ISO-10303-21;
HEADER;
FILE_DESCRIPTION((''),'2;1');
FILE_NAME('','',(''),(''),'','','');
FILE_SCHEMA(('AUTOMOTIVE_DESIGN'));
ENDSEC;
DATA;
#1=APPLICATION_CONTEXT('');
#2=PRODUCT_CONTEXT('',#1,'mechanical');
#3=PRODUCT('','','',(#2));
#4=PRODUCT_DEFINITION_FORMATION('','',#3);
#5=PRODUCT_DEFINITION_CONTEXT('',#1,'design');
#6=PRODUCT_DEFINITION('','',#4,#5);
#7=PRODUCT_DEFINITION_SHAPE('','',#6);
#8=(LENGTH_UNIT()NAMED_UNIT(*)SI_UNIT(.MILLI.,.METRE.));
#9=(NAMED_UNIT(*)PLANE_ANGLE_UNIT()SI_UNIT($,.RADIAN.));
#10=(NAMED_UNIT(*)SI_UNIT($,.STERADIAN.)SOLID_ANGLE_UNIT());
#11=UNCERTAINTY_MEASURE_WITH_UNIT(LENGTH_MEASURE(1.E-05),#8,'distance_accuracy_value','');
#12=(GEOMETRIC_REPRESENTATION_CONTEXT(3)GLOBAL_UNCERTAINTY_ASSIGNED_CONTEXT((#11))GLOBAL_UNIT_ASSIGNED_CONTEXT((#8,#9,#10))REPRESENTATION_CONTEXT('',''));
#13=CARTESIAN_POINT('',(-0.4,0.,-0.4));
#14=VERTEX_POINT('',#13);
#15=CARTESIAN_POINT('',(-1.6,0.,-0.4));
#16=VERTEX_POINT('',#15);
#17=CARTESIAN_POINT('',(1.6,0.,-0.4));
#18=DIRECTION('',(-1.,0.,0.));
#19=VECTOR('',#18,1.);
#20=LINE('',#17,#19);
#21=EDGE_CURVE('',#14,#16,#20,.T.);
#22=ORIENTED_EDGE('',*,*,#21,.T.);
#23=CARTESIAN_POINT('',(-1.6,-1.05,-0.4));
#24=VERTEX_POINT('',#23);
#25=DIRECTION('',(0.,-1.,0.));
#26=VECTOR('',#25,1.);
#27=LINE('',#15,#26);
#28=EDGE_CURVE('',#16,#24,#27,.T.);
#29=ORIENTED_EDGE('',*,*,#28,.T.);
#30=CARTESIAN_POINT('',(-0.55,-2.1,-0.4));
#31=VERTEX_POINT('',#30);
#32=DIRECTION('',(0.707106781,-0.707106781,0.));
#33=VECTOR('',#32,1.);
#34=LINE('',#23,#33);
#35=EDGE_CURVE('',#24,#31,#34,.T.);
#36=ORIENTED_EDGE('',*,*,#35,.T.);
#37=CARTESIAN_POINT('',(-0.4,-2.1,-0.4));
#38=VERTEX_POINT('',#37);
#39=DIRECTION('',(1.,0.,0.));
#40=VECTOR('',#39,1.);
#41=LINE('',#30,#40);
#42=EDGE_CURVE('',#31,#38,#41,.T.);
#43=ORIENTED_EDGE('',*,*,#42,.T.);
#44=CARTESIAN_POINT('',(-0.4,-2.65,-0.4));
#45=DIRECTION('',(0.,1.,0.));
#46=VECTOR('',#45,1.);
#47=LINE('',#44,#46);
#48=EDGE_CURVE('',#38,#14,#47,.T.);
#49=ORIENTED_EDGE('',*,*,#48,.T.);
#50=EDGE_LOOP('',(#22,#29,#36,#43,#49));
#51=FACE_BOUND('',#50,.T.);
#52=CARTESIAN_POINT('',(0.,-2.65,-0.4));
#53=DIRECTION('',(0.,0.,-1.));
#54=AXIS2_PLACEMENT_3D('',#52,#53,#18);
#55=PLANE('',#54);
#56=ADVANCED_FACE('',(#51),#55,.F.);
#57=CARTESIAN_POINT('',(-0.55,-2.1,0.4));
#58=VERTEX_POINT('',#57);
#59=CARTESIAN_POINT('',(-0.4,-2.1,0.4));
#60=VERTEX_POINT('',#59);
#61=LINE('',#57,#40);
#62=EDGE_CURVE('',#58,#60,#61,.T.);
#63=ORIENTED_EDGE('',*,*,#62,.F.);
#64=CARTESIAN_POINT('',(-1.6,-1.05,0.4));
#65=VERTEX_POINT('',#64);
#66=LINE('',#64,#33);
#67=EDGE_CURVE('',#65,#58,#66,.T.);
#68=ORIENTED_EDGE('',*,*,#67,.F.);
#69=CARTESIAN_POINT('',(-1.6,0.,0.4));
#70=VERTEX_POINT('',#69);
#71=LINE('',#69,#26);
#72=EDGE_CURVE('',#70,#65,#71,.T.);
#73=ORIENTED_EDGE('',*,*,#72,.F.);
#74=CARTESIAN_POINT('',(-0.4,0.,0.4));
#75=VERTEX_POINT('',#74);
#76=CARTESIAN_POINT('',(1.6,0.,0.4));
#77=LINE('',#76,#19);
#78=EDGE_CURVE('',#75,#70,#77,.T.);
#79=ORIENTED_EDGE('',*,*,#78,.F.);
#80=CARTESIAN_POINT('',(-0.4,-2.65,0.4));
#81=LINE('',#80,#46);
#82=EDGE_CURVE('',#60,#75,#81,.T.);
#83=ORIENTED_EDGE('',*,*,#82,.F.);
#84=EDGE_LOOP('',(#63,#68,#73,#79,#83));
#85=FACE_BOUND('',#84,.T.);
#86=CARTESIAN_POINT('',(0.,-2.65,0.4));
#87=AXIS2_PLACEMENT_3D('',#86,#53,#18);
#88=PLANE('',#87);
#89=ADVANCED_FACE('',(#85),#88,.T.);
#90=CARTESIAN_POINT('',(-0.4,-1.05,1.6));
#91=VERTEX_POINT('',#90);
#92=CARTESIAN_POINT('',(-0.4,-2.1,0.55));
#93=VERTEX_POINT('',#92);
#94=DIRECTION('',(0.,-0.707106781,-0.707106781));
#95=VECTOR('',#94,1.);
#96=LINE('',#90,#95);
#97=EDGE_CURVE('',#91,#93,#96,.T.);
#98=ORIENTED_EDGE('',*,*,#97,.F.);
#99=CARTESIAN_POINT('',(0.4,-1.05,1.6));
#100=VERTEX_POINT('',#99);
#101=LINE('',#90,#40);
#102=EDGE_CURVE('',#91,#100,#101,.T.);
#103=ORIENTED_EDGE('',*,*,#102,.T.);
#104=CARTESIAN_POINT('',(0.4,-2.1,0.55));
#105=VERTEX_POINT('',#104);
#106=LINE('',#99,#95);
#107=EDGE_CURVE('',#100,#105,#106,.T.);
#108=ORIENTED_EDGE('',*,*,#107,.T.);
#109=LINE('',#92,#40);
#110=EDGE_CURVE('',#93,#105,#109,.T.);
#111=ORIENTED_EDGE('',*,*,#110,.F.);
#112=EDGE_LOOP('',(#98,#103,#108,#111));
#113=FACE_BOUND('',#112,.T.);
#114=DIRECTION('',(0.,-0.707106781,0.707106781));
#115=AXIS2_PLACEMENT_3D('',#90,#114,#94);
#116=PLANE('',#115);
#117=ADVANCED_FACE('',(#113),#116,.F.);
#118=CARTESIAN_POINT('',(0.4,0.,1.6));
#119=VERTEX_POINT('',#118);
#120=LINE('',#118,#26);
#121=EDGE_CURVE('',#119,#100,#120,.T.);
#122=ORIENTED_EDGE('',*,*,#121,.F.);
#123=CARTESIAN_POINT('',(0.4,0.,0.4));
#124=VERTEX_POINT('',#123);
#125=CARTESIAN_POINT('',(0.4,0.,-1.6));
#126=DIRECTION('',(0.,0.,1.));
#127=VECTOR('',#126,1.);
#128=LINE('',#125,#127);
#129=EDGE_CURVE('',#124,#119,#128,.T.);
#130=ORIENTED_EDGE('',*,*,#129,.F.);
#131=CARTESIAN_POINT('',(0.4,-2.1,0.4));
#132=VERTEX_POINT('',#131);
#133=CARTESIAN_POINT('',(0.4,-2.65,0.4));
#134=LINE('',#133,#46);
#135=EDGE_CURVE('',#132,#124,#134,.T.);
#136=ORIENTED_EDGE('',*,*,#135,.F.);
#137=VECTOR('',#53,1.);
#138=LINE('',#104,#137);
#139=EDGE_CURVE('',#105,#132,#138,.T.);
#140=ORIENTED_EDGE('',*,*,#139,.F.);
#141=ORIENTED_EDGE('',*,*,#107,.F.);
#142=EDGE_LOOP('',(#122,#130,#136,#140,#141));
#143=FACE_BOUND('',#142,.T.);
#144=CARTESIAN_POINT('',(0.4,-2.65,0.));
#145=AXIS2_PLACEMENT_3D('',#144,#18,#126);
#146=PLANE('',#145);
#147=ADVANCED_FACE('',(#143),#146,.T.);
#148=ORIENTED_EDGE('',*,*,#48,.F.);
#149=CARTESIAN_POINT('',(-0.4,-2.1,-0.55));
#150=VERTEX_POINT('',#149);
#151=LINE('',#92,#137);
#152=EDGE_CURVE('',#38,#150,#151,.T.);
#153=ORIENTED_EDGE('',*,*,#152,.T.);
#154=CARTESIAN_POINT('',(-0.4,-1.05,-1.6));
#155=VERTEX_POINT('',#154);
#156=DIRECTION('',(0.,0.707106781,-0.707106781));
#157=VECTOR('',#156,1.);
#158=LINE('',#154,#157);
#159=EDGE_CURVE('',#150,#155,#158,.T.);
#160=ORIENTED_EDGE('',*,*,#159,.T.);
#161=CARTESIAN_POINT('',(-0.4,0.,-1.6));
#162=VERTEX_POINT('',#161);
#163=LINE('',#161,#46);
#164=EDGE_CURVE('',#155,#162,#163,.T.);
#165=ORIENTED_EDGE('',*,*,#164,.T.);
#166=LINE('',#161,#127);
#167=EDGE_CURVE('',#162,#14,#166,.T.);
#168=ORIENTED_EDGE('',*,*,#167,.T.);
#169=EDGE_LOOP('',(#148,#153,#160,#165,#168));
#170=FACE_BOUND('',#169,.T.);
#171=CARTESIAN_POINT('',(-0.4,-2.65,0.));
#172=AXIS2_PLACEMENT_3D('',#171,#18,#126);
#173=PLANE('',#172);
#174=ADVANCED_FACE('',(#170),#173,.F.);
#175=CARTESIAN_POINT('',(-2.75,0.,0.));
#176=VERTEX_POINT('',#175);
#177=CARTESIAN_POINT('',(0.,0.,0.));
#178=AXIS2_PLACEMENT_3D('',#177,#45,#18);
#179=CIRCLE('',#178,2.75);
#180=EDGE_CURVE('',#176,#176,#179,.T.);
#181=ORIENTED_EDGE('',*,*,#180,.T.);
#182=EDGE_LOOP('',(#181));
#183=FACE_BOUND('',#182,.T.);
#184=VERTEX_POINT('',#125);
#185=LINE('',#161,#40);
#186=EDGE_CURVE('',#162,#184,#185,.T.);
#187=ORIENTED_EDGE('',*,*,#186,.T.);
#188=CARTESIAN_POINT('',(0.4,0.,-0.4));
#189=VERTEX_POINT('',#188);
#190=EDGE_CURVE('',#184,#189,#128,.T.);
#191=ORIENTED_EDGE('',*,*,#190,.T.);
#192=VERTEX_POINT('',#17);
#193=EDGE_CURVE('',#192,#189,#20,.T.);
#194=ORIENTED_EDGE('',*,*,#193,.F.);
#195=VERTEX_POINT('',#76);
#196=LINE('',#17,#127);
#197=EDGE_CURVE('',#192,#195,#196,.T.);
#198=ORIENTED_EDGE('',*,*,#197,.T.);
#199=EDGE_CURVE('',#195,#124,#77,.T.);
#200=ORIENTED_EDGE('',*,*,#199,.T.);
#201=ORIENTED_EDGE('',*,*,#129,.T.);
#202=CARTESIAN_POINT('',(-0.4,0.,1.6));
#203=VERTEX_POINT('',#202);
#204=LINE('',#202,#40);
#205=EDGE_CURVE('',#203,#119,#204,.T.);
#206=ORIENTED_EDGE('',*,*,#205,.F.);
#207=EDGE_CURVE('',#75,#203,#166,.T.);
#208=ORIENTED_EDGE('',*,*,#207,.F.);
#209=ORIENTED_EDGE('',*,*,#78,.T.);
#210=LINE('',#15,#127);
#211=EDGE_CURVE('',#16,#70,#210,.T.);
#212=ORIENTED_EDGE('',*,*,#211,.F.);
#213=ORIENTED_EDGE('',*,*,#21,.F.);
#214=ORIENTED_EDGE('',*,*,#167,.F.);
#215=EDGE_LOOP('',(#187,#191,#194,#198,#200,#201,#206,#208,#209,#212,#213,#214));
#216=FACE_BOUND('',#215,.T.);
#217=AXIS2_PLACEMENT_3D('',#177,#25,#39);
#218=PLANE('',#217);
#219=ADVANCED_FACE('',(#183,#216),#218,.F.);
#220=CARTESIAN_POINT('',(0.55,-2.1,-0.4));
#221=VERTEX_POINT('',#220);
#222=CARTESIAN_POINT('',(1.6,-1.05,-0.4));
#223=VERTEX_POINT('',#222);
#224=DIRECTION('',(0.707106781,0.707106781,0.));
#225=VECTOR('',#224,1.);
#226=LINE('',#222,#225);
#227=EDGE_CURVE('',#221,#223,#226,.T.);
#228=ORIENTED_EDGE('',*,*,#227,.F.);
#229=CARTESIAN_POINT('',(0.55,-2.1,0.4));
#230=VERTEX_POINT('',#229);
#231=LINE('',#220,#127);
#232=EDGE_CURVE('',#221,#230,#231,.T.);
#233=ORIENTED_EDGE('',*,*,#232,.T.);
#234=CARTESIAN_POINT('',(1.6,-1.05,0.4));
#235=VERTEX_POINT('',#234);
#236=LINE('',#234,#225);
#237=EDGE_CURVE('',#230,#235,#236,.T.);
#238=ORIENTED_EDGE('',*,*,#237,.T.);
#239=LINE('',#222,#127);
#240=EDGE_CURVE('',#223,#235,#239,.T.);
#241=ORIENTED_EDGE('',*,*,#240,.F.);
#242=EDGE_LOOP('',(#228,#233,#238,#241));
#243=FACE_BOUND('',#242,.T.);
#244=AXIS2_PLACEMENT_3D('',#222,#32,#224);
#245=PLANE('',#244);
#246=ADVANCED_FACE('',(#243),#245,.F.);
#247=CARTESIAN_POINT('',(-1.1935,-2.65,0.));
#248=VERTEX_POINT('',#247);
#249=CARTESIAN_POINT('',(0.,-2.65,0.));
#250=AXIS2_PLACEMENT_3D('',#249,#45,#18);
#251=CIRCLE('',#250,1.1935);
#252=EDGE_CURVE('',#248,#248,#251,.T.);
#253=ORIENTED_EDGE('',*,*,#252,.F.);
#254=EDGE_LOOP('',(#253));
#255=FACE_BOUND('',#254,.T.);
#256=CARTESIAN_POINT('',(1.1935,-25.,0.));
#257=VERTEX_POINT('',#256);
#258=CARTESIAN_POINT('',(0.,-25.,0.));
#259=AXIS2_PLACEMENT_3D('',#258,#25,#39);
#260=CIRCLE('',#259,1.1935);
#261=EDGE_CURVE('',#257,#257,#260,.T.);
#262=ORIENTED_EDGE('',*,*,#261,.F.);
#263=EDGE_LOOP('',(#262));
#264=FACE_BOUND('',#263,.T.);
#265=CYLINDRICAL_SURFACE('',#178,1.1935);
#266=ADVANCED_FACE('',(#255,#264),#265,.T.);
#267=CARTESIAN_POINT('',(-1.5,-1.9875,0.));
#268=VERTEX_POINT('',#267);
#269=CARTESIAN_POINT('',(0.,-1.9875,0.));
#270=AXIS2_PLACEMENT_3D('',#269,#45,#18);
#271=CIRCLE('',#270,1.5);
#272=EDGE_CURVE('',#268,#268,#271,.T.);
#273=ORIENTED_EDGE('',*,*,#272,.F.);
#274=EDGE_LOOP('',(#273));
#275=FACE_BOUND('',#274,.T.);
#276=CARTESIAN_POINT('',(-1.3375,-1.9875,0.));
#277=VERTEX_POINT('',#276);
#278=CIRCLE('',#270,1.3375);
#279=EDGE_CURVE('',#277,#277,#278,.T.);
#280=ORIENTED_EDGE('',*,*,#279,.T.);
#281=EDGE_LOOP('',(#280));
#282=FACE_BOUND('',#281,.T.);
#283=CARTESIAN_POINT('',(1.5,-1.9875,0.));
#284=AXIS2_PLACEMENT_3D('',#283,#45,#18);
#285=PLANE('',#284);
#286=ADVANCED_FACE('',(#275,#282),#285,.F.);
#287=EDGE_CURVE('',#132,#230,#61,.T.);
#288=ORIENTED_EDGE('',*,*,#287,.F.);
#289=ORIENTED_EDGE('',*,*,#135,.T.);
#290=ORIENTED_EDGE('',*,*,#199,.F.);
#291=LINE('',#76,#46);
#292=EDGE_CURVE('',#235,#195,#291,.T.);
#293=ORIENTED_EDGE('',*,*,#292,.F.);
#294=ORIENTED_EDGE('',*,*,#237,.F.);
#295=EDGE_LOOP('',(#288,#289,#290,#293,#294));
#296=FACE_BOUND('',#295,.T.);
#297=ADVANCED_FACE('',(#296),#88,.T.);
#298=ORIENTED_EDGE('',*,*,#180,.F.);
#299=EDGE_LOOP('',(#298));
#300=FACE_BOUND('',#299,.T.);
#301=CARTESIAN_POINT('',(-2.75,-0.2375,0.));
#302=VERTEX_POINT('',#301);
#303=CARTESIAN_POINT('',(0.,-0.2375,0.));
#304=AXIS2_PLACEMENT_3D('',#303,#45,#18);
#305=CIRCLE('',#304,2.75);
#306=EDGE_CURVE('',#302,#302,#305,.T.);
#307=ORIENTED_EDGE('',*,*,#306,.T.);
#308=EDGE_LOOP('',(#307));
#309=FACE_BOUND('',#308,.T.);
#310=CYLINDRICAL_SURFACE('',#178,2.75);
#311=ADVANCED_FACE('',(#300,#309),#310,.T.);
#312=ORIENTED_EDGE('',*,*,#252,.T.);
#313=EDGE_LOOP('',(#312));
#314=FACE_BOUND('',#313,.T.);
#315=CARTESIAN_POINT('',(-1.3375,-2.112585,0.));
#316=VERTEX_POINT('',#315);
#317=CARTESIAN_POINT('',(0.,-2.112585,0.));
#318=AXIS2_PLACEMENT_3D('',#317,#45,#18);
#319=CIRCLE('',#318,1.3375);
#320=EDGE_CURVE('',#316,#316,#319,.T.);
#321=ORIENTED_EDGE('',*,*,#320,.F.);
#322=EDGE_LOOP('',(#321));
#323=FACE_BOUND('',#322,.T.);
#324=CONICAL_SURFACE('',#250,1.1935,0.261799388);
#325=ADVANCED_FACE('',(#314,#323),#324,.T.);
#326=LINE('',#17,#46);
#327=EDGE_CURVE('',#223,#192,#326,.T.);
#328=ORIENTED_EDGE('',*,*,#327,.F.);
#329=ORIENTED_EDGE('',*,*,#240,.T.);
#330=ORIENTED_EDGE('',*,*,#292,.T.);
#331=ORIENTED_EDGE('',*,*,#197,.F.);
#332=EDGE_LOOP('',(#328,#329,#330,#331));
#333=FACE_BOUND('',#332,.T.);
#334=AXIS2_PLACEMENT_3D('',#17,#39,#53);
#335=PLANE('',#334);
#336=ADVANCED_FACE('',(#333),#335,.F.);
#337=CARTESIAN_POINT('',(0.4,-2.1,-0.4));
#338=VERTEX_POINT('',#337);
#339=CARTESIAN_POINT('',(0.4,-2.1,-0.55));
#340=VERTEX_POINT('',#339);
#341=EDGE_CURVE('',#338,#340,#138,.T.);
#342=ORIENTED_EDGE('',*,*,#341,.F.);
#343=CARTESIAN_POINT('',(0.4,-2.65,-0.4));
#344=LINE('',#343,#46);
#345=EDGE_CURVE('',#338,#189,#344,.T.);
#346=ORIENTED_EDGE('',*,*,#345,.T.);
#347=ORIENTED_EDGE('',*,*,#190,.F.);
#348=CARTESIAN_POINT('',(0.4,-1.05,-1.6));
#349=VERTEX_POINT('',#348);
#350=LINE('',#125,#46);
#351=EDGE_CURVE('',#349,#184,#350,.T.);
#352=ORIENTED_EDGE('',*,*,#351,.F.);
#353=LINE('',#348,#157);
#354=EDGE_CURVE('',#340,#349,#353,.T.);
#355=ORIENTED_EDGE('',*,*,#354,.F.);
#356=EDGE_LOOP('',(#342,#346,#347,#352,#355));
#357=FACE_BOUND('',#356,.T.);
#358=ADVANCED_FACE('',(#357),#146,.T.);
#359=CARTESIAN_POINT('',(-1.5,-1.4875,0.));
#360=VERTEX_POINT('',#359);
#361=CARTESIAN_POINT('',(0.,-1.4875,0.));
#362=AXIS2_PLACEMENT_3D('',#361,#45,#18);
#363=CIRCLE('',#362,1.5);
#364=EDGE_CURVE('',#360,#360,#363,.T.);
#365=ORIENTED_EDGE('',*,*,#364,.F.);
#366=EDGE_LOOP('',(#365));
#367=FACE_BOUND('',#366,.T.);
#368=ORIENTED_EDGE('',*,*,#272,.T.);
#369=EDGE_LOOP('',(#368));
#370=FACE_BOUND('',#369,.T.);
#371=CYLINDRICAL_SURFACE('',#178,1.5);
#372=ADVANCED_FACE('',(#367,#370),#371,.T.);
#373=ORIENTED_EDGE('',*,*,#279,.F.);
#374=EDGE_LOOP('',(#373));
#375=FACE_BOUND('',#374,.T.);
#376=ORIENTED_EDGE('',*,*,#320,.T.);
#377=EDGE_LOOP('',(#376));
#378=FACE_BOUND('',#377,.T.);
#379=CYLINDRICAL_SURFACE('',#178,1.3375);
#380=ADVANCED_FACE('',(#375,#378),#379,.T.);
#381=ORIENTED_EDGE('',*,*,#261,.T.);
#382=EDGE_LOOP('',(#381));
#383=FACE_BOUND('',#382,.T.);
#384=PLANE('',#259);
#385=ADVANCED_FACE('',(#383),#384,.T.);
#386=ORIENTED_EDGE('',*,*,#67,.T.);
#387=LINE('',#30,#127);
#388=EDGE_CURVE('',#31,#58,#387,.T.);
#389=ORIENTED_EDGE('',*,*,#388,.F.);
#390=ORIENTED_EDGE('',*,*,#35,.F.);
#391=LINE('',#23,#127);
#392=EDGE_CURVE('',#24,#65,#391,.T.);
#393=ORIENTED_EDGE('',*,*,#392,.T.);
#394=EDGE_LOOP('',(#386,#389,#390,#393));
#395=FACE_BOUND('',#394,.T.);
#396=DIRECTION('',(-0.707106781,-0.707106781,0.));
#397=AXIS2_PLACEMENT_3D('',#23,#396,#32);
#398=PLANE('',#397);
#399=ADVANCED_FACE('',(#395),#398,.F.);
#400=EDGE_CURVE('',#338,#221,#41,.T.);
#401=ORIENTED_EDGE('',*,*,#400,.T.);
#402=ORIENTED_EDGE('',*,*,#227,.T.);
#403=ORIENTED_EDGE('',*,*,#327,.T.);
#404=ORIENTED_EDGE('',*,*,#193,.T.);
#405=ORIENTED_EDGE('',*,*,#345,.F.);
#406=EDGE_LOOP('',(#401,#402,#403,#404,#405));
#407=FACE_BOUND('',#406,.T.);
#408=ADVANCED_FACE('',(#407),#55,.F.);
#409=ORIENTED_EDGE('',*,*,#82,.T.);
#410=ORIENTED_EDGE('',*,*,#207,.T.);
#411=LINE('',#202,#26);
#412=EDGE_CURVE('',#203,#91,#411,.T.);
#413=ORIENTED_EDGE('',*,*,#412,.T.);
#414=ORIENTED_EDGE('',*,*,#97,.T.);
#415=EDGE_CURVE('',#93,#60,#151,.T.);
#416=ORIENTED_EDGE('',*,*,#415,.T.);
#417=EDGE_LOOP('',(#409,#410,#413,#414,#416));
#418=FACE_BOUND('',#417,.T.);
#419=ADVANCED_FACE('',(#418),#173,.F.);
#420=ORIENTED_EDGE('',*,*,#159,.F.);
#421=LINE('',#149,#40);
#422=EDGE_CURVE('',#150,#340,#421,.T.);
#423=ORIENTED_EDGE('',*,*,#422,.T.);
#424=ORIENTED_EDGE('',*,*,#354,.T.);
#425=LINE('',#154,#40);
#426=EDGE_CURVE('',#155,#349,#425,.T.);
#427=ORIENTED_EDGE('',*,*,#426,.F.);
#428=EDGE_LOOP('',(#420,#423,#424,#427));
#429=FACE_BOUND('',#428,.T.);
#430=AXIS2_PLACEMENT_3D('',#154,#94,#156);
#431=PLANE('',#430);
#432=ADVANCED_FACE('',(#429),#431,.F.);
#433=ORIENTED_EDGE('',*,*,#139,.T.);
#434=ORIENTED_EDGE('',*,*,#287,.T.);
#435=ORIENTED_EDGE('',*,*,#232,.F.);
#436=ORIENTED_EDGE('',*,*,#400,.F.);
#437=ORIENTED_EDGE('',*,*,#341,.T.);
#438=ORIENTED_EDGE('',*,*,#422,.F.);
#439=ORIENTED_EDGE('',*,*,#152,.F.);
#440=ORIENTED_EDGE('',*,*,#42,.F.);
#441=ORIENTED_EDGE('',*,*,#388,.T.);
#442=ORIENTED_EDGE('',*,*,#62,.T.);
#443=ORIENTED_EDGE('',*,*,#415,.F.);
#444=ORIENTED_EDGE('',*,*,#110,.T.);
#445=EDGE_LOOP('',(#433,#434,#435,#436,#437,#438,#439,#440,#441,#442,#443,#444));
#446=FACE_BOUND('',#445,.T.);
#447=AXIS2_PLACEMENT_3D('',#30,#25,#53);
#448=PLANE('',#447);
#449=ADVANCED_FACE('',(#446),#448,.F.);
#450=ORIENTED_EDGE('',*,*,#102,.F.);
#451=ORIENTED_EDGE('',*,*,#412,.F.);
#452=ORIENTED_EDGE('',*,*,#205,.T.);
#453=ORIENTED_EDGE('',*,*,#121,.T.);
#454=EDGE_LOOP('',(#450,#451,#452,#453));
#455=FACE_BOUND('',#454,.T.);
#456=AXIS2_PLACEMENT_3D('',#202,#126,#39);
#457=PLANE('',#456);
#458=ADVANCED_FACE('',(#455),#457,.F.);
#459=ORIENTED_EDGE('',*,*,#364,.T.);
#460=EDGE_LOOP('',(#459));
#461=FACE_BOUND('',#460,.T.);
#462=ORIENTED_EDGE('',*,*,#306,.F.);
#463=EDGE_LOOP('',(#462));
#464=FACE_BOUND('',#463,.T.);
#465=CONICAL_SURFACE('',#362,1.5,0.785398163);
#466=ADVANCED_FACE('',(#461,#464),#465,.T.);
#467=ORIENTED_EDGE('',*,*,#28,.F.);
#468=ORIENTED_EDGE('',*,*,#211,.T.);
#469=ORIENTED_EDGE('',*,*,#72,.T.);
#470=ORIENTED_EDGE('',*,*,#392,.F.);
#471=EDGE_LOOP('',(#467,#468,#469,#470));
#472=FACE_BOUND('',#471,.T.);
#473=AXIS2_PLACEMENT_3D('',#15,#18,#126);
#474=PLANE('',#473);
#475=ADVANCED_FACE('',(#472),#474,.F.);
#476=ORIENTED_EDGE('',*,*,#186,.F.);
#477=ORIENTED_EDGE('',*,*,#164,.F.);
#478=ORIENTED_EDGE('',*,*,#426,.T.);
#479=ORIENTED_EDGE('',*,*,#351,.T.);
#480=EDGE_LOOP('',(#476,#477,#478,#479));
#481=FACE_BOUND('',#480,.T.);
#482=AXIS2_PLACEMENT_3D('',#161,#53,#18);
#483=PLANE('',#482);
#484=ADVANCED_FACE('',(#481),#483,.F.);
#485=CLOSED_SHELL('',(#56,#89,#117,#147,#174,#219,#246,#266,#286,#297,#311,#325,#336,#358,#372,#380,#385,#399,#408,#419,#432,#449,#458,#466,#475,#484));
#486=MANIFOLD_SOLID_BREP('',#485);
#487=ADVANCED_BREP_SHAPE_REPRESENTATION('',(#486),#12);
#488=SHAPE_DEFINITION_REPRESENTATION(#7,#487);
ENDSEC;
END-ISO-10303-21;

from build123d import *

# Parameters (mm, degrees)
KREUZSCHLITZ1_H_DEPTH      = 0.4
KREUZSCHLITZ1_H_DEPTH_BACK = 0.4
KREUZSCHLITZ2_H_DEPTH      = 0.4
KREUZSCHLITZ2_H_DEPTH_BACK = 0.4
BOSS_EXTRUDE1_START        = 17
SKETCH1_R                  = 1.1935
BOSS_EXTRUDE1_DEPTH        = 17


with BuildPart() as part:
    # Skizze1 → Basis-Rotation (revolve)
    with BuildSketch(Plane.XY, mode=Mode.PRIVATE) as basis_rotation_sk:
        Polygon((0, 0), (2.75, 0), (2.75, -0.2375), (1.5, -1.4875), (1.5, -1.9875), (1.3375, -1.9875), (1.3375, -2.112584684), (1.1935, -2.65), (1.1935, -8), (0, -8), align=None)
    revolve(basis_rotation_sk.sketch.rotate(Axis((0, 0, 0), (0, -1, 0)), 180), axis=Axis((0, 0, 0), (0, -1, 0)))

    # Skizze2 → Kreuzschlitz1 H (cut, two sides: drawn at the far end of the back side and taken through both)
    with BuildSketch(Plane.XY.offset(-KREUZSCHLITZ1_H_DEPTH_BACK)):
        Polygon((-0.55, -2.1), (0.55, -2.1), (1.6, -1.05), (1.6, 0), (-1.6, 0), (-1.6, -1.05), align=None)
    extrude(amount=KREUZSCHLITZ1_H_DEPTH + KREUZSCHLITZ1_H_DEPTH_BACK, mode=Mode.SUBTRACT)

    # Skizze3 → Kreuzschlitz2 H (cut, two sides: drawn at the far end of the back side and taken through both)
    with BuildSketch(Plane(origin=(0, 0, 0), x_dir=(0, 0, -1), z_dir=(1, 0, 0)).offset(-KREUZSCHLITZ2_H_DEPTH_BACK)):
        Polygon((-0.55, -2.1), (0.55, -2.1), (1.6, -1.05), (1.6, 0), (-1.6, 0), (-1.6, -1.05), align=None)
    extrude(amount=KREUZSCHLITZ2_H_DEPTH + KREUZSCHLITZ2_H_DEPTH_BACK, mode=Mode.SUBTRACT)

    # Sketch1 → Boss-Extrude1 (add)
    with BuildSketch(Plane.XZ.offset(8).offset(BOSS_EXTRUDE1_START)):
        with Locations(Location((0, 0, 0), (0, 0, 180))):
            Circle(SKETCH1_R)
    extrude(amount=-BOSS_EXTRUDE1_DEPTH)


solid = part.part
